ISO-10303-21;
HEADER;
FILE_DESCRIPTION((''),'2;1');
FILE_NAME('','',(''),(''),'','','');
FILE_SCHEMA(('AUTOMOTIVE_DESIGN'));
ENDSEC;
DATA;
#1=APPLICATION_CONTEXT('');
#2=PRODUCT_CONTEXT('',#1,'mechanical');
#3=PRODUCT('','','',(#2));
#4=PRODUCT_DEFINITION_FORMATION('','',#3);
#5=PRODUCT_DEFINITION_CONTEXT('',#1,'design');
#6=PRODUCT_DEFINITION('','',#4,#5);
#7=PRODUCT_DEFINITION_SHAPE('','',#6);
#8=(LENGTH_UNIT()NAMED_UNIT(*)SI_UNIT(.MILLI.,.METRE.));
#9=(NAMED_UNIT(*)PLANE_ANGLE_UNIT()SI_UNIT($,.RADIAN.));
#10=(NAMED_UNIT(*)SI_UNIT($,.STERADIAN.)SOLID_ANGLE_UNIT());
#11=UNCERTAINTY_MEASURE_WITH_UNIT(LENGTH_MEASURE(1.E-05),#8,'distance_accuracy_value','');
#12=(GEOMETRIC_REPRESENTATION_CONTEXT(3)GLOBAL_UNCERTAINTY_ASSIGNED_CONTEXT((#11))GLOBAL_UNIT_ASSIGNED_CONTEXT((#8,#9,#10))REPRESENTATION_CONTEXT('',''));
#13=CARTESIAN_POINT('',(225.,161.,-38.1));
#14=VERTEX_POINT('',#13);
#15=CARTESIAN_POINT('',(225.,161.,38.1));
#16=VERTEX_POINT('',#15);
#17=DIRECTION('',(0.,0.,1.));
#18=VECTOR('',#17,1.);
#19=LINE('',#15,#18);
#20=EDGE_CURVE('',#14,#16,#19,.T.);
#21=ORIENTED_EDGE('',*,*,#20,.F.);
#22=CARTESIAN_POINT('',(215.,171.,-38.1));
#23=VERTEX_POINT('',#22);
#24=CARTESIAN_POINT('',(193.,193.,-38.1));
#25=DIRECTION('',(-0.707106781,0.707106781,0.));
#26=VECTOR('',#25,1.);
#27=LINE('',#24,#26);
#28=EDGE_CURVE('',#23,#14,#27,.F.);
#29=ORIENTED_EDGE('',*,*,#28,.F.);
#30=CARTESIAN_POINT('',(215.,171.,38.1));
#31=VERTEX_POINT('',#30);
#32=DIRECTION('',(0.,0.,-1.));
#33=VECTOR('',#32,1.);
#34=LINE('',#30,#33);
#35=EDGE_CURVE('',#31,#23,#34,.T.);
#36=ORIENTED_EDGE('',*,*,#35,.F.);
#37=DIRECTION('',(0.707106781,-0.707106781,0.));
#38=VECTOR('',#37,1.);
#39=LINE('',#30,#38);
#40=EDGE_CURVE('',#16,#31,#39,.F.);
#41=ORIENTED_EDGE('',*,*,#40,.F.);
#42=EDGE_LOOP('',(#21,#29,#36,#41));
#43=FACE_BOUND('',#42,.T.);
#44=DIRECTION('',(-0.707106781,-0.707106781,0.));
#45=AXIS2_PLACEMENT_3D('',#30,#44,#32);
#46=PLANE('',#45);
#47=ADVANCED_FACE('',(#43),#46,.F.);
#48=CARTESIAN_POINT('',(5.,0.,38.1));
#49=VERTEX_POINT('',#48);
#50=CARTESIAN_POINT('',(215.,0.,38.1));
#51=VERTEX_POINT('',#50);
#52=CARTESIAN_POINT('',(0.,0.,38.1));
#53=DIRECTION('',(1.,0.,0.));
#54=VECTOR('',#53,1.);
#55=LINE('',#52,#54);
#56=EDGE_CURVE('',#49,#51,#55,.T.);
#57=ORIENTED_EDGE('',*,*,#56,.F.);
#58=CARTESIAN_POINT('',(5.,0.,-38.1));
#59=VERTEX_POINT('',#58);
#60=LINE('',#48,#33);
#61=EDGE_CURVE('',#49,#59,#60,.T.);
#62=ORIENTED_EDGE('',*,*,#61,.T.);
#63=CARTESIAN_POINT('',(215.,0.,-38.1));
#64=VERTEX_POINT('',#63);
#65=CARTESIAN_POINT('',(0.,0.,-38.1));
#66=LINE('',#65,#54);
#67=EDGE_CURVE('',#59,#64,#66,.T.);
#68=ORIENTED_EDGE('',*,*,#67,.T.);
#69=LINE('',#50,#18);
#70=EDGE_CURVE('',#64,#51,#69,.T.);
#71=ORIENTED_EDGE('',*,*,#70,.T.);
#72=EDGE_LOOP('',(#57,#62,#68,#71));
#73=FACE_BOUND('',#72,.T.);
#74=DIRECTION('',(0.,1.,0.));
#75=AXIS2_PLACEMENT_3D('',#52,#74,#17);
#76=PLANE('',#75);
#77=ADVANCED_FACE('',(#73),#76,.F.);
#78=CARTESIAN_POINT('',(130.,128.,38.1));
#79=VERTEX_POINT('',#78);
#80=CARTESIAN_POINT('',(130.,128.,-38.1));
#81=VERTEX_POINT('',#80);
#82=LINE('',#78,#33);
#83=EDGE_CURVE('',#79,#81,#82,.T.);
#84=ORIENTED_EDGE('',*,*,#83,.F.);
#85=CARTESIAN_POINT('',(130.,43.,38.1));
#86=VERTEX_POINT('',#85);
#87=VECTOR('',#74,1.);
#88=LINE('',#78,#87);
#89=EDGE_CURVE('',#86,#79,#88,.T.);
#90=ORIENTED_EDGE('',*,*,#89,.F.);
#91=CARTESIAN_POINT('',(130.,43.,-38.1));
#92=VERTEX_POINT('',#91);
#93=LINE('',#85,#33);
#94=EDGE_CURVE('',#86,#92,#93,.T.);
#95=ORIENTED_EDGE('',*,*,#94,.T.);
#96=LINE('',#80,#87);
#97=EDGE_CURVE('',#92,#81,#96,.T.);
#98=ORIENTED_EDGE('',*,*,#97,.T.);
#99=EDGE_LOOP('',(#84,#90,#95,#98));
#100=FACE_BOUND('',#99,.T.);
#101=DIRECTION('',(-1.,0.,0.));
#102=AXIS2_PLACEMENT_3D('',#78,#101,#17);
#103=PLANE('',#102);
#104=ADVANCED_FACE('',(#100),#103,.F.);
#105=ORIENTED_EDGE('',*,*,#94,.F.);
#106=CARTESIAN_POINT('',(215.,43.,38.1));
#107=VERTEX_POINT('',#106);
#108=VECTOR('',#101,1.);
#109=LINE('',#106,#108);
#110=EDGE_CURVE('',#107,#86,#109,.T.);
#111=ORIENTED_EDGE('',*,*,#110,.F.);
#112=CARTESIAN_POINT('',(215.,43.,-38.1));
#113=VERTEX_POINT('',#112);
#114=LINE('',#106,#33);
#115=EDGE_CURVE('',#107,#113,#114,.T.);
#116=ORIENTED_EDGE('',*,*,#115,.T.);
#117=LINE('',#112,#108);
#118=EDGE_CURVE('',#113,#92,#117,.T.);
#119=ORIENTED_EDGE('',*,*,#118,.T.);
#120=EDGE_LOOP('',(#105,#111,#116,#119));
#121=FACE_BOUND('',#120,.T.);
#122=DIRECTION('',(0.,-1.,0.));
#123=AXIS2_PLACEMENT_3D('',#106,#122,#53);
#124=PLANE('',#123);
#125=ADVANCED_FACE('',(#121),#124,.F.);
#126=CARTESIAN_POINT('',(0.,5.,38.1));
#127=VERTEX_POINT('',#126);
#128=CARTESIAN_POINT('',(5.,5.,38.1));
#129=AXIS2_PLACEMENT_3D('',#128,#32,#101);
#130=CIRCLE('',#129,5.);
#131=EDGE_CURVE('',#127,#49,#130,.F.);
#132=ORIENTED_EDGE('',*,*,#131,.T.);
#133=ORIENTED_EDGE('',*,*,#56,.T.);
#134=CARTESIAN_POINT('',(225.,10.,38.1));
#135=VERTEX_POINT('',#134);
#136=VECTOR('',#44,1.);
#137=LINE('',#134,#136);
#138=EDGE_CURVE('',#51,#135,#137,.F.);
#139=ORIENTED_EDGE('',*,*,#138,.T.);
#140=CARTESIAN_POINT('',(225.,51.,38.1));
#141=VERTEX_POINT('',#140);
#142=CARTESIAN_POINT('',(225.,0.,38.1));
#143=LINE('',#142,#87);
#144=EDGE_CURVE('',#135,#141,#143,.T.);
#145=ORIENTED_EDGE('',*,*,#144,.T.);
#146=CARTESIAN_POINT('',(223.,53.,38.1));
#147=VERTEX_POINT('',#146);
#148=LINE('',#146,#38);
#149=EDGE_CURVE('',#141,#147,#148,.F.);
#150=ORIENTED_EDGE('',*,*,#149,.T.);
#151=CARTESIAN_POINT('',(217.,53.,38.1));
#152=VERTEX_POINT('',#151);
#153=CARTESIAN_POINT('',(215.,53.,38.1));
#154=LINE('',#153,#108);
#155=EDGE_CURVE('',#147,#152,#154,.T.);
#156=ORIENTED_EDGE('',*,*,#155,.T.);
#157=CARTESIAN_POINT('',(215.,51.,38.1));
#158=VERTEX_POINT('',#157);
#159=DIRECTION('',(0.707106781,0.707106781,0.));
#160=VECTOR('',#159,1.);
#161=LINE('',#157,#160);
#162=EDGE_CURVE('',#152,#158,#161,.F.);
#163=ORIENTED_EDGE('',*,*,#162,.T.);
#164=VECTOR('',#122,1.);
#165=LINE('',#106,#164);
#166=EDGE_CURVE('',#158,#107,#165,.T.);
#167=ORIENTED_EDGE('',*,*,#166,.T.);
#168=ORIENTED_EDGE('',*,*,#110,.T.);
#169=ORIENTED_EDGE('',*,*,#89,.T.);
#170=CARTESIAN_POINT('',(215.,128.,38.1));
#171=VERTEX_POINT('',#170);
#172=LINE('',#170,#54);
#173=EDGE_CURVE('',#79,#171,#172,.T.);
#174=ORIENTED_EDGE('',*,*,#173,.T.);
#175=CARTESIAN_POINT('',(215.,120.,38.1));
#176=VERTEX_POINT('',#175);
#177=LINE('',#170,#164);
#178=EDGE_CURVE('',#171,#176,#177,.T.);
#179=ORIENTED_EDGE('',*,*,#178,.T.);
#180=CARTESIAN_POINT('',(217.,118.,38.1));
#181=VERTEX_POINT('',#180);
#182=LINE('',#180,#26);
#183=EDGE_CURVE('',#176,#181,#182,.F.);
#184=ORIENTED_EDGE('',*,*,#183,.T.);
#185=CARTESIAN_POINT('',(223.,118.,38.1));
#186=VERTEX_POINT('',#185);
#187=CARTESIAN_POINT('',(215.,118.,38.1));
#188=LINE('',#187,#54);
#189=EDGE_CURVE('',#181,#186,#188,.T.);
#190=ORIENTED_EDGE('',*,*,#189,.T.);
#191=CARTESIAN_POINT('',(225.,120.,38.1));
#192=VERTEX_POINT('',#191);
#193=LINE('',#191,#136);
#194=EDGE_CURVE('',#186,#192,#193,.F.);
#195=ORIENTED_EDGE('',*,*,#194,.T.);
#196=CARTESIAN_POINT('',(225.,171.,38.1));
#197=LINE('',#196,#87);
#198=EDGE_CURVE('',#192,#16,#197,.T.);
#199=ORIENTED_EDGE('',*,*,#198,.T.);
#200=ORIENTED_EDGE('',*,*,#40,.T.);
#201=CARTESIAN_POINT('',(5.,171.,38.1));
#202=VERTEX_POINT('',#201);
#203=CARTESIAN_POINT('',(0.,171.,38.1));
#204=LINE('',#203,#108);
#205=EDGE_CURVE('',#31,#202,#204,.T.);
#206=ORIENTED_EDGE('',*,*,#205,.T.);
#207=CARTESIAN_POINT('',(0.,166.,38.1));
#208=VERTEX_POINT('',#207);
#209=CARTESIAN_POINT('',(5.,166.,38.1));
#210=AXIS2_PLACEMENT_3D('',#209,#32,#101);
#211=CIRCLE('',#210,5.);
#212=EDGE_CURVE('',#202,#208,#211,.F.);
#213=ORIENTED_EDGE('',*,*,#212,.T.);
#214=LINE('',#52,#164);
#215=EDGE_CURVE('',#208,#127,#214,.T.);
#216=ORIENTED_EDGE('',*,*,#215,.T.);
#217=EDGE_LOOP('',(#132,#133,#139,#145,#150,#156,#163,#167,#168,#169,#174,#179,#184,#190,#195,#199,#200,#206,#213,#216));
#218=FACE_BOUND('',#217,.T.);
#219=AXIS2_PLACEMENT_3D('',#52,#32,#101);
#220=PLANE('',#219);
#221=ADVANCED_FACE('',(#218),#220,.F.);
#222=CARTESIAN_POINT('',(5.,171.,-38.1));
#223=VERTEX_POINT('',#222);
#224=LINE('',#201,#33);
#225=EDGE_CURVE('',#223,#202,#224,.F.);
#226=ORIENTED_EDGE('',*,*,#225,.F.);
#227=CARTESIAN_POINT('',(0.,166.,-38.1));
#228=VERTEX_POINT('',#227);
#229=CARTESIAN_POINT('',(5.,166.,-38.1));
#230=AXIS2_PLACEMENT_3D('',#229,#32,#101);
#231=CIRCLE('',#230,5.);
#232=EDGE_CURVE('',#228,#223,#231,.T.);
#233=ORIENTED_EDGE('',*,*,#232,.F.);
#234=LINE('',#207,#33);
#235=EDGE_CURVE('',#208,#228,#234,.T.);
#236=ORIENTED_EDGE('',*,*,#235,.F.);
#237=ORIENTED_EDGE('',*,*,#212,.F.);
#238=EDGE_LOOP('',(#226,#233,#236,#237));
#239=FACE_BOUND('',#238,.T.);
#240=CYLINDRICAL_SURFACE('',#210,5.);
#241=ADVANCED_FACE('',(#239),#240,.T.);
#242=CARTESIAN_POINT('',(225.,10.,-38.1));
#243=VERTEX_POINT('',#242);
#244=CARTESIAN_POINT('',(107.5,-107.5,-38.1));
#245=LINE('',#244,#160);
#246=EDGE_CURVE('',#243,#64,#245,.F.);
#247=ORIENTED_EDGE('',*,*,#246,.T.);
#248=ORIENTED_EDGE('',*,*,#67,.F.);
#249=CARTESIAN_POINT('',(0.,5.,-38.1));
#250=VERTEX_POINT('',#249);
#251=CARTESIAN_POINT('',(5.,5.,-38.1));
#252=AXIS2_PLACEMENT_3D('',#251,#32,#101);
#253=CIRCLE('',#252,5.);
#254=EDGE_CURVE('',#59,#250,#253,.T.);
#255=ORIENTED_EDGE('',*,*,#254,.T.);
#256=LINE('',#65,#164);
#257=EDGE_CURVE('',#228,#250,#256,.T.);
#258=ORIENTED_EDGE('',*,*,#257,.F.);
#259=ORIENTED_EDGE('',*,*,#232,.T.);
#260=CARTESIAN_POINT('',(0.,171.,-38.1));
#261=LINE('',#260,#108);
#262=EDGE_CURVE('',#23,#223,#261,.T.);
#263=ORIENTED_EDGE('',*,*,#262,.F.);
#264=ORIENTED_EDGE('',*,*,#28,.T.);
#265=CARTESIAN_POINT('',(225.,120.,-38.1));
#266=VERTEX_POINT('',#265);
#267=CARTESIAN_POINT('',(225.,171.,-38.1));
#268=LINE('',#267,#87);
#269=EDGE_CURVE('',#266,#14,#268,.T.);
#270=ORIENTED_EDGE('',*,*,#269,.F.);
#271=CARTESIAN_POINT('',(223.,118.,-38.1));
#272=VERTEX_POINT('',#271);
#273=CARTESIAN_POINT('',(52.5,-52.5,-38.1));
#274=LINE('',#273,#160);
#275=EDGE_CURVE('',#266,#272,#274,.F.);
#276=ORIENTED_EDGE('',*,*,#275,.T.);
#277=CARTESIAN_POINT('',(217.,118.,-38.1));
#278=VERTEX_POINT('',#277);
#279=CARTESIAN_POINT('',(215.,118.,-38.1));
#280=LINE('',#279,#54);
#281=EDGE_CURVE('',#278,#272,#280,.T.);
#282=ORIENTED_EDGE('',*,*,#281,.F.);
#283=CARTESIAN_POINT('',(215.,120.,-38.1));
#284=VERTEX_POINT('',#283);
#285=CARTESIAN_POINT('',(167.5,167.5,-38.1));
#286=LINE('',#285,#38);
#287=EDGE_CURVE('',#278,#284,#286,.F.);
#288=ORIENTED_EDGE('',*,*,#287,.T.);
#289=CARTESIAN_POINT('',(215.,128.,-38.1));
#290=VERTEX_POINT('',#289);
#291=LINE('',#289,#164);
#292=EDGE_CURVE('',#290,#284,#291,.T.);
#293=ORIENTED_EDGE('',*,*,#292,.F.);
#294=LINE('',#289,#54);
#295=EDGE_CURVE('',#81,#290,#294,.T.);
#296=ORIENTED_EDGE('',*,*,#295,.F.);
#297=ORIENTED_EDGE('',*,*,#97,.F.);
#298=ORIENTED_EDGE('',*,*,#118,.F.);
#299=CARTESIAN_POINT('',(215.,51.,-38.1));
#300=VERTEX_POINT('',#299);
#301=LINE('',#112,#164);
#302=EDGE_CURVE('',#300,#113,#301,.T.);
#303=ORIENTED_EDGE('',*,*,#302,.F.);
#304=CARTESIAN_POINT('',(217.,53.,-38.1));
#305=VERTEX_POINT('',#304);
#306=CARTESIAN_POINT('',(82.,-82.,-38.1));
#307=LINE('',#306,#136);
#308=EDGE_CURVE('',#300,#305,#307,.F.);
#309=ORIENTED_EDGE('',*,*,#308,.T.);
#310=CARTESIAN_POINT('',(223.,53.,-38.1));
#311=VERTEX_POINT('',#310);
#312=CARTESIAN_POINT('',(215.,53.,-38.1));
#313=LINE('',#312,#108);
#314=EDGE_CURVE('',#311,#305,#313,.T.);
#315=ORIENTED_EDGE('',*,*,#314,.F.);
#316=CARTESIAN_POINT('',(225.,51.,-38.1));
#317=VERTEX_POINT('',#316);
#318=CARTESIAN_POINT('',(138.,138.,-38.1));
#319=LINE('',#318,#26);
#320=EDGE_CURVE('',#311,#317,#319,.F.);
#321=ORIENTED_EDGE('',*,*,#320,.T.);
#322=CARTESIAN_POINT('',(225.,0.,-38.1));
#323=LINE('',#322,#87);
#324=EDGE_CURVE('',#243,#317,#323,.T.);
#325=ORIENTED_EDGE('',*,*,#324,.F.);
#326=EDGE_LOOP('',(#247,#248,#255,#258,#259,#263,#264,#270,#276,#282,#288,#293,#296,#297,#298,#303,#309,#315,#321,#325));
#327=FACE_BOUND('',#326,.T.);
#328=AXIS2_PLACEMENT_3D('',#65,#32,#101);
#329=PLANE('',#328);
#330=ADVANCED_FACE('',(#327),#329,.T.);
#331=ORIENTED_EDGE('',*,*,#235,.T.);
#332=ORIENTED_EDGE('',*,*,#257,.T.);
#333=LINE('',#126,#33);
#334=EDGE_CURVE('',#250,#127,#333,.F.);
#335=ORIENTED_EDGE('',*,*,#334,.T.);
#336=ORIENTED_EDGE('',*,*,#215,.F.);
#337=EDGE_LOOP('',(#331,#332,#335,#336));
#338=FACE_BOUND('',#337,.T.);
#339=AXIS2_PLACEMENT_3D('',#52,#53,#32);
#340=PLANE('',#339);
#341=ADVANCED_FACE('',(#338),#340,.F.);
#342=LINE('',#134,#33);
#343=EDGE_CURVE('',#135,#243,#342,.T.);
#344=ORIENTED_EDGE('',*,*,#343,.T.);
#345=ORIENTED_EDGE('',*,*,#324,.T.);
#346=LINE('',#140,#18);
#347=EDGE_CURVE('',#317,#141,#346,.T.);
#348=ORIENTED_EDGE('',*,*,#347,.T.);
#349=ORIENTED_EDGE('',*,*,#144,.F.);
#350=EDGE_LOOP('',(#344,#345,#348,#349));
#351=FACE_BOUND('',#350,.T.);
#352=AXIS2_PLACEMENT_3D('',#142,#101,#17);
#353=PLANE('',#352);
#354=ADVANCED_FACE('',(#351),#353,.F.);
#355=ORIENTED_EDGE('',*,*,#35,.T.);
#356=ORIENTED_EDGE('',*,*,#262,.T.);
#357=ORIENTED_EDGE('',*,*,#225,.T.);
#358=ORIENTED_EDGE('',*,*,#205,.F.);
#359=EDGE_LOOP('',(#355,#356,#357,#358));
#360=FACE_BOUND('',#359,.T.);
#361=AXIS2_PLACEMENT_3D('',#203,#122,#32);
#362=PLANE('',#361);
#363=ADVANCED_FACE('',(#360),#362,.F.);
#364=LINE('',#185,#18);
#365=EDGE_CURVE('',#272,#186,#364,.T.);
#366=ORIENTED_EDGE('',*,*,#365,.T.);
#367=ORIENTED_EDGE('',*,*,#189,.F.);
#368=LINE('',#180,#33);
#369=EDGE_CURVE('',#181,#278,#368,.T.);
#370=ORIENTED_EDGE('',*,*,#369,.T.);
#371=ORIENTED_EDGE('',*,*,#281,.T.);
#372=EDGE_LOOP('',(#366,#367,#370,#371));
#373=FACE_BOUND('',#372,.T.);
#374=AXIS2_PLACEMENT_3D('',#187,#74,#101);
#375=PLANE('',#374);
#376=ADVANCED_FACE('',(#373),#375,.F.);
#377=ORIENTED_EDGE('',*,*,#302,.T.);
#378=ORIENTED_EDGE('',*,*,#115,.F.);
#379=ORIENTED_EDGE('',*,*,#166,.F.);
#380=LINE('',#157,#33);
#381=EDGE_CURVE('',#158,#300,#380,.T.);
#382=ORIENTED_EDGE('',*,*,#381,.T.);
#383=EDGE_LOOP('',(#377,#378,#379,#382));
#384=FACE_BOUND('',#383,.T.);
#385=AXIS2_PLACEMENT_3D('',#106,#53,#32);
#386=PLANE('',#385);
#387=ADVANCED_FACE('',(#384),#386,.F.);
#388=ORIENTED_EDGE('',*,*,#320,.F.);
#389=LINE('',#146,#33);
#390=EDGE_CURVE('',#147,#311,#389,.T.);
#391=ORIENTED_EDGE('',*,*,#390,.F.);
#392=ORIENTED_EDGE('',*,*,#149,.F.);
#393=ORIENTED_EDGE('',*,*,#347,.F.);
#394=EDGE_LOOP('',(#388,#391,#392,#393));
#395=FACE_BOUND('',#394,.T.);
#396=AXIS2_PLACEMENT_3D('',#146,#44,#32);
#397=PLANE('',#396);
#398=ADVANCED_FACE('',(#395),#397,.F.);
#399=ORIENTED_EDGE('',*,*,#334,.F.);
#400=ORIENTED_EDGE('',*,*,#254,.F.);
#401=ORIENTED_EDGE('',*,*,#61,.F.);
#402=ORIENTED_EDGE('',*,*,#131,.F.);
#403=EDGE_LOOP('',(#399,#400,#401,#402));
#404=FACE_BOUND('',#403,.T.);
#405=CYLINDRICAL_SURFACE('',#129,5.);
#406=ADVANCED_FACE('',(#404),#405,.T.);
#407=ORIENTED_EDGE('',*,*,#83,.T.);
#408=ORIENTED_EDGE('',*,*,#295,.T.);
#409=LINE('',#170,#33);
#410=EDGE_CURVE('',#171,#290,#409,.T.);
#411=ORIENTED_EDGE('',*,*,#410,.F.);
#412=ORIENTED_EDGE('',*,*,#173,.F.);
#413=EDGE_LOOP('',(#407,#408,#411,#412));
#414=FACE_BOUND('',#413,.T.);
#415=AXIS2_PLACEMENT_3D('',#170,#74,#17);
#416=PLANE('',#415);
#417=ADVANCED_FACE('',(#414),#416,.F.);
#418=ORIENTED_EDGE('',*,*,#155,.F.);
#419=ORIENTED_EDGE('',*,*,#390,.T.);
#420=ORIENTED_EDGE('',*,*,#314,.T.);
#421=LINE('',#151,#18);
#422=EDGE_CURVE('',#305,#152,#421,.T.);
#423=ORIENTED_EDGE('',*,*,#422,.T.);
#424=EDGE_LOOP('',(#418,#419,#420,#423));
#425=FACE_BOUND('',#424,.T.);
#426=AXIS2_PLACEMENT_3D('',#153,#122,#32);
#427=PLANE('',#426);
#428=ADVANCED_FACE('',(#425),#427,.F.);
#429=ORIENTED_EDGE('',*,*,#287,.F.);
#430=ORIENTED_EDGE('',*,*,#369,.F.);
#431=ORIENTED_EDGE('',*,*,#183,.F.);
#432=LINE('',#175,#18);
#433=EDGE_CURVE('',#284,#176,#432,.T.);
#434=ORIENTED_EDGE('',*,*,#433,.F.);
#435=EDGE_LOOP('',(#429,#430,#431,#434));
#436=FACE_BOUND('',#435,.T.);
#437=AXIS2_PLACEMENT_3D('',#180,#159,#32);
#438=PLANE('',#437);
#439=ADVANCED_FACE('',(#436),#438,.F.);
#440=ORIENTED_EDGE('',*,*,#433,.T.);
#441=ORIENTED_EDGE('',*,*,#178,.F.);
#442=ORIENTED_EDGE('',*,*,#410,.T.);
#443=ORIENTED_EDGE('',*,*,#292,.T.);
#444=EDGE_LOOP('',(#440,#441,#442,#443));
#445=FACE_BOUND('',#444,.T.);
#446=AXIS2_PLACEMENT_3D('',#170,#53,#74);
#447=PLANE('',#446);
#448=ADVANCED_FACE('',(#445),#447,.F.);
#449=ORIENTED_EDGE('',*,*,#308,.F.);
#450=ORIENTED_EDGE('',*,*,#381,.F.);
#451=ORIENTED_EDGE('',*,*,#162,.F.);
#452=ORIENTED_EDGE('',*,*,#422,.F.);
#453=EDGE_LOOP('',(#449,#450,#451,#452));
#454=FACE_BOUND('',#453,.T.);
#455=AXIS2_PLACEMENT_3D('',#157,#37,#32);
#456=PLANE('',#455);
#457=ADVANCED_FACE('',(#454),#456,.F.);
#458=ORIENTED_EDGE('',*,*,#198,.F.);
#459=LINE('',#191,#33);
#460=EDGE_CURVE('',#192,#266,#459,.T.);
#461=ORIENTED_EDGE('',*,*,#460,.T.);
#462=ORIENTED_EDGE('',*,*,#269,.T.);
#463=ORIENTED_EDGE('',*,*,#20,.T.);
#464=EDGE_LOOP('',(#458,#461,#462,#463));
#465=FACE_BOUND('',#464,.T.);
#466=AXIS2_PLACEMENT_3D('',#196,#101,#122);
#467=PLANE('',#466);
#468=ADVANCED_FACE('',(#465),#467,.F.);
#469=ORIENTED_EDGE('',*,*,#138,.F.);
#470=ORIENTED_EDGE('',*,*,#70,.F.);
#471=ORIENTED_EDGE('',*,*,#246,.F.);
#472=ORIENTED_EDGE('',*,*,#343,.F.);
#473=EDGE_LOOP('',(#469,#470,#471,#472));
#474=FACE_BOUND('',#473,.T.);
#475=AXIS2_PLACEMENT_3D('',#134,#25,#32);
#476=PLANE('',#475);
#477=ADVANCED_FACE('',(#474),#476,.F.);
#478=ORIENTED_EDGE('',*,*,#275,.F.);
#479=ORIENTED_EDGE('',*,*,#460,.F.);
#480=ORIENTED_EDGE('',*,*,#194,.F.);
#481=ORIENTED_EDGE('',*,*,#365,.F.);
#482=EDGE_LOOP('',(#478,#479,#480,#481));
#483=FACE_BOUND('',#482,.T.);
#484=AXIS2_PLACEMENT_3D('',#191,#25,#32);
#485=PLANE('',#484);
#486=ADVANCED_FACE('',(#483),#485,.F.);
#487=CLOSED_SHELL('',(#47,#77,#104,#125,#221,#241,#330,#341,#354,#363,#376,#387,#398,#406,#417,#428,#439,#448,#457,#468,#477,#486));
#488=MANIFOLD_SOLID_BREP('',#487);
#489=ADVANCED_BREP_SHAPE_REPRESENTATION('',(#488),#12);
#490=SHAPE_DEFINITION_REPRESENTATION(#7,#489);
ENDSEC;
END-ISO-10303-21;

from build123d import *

# Parameters (mm, degrees)
BOSS_EXTRUDE1_DEPTH = 38.1
CHAMFER1_SIZE       = 10
CHAMFER2_SIZE       = 2
FILLET1_R           = 5


with BuildPart() as part:
    # Sketch1 → Boss-Extrude1 (new, symmetric)
    with BuildSketch(Plane.XY):
        Polygon((0, 0), (225, 0), (225, 53), (215, 53), (215, 43), (130, 43), (130, 128), (215, 128), (215, 118), (225, 118), (225, 171), (0, 171), align=None)
    extrude(amount=BOSS_EXTRUDE1_DEPTH, both=True)

    # Chamfer1
    chamfer1_edges = [part.edges().sort_by_distance(p)[0] for p in [
        (225, 171, 0),
        (225, 0, 0),
    ]]
    chamfer(chamfer1_edges, length=CHAMFER1_SIZE)

    # Chamfer2
    chamfer2_edges = [part.edges().sort_by_distance(p)[0] for p in [
        (225, 118, 0),
        (215, 118, 0),
        (215, 53, 0),
        (225, 53, 0),
    ]]
    chamfer(chamfer2_edges, length=CHAMFER2_SIZE)

    # Fillet1
    fillet1_edges = [part.edges().sort_by_distance(p)[0] for p in [
        (0, 171, 0),
        (0, 0, 0),
    ]]
    fillet(fillet1_edges, radius=FILLET1_R)


solid = part.part
